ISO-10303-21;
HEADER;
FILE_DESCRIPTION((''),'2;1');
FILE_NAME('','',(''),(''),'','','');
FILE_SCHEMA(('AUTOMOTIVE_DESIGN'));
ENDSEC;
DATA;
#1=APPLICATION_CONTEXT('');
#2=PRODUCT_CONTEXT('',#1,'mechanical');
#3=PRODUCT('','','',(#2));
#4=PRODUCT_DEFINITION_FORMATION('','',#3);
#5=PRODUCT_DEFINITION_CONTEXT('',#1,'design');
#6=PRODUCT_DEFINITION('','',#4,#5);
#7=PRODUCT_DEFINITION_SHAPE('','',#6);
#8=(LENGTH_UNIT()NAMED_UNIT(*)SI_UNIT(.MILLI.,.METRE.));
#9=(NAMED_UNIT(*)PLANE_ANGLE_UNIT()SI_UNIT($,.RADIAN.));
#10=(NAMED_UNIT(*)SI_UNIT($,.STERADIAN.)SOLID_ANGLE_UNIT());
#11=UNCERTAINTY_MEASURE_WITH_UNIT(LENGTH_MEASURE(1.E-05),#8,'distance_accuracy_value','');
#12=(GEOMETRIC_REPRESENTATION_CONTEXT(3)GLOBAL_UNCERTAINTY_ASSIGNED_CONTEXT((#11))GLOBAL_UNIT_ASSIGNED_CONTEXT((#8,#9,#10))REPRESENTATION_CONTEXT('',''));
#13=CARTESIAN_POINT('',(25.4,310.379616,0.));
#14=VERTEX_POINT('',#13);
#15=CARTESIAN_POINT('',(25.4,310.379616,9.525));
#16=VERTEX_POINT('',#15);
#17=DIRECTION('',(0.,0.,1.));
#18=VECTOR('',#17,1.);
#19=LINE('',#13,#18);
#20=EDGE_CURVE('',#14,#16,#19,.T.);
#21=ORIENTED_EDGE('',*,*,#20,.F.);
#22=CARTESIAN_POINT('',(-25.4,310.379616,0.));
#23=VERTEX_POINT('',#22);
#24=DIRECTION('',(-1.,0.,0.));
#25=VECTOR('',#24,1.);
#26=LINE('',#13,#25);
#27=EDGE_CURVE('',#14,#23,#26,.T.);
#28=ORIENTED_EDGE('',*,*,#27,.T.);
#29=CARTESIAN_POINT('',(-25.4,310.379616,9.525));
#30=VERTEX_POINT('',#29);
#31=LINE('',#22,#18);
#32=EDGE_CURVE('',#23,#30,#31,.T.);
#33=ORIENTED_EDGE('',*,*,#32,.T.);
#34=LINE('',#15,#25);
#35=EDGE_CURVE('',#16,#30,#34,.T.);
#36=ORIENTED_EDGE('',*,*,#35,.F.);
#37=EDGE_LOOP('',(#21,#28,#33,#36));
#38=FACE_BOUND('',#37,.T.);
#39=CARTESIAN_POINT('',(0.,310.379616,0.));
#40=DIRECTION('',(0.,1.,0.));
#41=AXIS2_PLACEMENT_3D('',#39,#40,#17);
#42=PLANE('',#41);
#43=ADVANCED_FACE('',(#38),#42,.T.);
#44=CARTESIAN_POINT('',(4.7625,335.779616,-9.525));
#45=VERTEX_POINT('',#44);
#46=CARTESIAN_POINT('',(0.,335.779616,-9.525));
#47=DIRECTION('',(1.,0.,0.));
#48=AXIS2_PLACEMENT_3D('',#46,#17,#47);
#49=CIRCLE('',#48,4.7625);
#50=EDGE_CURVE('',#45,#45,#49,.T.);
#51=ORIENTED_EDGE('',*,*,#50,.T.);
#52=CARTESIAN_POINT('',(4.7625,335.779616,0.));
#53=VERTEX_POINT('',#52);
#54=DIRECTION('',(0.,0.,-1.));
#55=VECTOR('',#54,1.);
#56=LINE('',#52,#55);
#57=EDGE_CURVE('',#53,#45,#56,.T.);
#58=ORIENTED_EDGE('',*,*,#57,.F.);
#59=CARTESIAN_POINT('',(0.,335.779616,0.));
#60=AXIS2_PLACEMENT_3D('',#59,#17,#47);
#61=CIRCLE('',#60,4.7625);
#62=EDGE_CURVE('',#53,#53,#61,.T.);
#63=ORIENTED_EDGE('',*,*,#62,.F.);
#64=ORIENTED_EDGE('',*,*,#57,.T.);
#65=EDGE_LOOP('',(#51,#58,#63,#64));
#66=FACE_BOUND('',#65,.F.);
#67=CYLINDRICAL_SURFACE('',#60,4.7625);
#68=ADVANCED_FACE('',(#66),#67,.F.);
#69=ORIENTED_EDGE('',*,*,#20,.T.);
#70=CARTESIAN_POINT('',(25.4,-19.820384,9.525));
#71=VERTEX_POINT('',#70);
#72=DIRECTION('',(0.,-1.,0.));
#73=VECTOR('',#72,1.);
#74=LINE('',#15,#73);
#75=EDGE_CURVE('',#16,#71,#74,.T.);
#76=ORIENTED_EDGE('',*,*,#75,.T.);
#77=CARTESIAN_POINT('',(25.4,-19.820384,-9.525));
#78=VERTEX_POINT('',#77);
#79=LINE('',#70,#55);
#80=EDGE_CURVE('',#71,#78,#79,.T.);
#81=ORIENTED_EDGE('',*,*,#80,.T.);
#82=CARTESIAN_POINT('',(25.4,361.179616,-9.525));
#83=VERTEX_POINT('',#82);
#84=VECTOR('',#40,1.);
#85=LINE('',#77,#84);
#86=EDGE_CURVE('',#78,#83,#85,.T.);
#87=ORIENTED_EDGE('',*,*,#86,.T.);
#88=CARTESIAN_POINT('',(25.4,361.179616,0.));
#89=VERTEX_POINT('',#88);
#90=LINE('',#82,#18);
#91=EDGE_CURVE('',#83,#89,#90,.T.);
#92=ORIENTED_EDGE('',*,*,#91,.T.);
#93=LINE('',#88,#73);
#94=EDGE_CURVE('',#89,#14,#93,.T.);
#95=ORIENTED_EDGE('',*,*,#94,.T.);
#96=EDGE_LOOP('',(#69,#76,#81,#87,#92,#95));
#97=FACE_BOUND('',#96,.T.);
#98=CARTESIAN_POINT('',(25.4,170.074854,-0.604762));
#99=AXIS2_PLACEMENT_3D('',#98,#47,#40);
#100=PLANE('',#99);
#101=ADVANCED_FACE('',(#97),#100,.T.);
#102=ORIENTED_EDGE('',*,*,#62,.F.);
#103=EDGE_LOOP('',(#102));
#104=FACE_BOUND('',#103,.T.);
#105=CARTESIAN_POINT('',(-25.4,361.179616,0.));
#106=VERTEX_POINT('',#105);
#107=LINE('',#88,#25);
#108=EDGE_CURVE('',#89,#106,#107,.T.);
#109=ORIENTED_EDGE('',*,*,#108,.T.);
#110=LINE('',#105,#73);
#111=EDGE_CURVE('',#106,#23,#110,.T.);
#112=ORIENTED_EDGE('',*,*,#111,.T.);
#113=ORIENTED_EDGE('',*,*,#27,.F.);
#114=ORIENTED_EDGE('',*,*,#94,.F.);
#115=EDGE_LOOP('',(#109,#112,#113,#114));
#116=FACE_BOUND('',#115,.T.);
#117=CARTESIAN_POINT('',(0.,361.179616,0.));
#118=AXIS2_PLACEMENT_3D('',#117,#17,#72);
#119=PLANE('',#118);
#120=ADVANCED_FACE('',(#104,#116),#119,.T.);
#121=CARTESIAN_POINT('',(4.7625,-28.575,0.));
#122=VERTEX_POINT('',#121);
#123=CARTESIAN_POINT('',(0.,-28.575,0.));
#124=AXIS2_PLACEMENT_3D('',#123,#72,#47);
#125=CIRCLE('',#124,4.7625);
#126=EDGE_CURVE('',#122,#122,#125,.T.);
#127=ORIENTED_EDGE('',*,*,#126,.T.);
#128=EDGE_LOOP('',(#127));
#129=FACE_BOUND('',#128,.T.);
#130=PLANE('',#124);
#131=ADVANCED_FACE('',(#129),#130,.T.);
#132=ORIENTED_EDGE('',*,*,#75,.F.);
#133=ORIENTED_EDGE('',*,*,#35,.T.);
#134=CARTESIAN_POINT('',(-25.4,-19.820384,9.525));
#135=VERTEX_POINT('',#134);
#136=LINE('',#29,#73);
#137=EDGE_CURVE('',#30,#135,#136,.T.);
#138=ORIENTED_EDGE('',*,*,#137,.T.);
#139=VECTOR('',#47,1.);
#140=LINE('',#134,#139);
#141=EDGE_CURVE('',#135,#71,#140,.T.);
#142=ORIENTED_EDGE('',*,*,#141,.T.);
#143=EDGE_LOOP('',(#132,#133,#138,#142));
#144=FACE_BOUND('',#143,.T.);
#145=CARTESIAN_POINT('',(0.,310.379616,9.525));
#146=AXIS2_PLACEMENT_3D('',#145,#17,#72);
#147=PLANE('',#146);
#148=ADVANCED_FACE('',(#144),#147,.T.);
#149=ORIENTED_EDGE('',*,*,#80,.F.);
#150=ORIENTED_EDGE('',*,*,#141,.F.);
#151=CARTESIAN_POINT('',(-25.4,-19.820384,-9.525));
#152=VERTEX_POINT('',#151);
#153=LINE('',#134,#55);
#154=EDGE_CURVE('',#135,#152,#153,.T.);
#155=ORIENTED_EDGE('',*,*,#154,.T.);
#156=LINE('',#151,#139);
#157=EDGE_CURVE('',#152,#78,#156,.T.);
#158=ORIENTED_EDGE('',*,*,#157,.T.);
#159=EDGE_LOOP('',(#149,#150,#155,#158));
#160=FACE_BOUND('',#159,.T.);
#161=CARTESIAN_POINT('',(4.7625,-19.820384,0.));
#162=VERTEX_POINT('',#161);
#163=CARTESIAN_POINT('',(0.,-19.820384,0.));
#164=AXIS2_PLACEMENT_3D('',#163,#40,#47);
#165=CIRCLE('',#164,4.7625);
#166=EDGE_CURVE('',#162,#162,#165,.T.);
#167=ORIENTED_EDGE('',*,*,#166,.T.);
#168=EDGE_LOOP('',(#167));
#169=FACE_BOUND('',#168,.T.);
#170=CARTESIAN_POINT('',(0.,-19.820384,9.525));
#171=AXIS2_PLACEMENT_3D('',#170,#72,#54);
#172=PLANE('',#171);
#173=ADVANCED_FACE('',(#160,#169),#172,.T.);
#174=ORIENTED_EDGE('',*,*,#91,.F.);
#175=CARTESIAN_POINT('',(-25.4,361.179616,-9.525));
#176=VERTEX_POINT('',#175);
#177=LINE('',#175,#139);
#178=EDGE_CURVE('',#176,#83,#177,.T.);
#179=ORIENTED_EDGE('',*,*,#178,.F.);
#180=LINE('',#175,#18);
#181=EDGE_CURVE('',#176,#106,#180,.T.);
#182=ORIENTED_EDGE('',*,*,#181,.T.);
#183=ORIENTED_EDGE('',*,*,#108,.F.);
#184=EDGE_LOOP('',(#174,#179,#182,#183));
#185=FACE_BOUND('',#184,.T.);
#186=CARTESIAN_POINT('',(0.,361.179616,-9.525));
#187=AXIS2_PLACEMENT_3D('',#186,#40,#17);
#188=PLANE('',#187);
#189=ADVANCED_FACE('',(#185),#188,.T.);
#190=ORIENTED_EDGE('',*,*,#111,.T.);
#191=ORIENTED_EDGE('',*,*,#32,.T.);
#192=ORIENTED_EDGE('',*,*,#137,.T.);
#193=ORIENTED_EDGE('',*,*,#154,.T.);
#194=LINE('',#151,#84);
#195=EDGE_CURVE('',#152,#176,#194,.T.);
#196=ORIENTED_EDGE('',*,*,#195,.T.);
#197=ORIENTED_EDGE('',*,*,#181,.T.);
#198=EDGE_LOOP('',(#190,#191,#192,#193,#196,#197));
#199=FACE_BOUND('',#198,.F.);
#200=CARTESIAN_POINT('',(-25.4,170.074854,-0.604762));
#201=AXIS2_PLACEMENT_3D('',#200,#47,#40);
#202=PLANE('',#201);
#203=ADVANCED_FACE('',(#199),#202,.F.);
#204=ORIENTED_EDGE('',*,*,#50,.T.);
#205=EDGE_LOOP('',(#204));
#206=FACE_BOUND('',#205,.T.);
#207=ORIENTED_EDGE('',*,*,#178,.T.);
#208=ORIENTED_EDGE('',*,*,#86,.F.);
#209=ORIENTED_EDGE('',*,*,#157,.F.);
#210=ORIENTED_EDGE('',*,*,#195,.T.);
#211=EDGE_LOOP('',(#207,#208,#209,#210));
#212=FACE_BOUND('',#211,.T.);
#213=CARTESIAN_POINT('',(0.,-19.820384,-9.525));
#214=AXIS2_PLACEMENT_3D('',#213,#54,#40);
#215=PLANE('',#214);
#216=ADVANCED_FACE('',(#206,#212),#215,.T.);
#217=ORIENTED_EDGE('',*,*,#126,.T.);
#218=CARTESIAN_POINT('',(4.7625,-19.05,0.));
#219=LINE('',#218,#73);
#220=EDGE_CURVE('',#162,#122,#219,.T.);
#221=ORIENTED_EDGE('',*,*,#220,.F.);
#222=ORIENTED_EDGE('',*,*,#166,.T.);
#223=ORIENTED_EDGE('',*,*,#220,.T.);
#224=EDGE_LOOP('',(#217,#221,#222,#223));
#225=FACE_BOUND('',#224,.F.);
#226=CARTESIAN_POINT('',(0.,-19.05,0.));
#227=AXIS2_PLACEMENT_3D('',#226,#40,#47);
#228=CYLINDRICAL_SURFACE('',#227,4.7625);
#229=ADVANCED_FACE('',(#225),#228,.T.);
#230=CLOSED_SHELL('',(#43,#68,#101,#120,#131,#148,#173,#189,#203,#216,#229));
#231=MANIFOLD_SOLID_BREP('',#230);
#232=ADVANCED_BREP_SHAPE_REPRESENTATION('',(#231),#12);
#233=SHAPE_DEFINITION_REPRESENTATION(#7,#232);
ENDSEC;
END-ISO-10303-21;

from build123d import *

# Parameters (mm, degrees)
F1_DEPTH = 25.4
F2_R     = 4.7625
F3_DEPTH = 25.4
F5_R     = 4.7625
F6_DEPTH = 9.525


with BuildPart() as f1:
    # F0 (on Right) → F1 (new body, symmetric)
    with BuildSketch(Plane.YZ):
        Polygon((310.379616, 9.525), (-19.820384, 9.525), (-19.820384, -9.525), (361.179616, -9.525), (361.179616, 0), (310.379616, 0), align=None)
    extrude(amount=F1_DEPTH, both=True)

    # F2 (on Top) → F3 (cut)
    with BuildSketch(Plane.XY):
        with Locations((0, 335.779616)):
            Circle(F2_R)
    extrude(amount=-F3_DEPTH, mode=Mode.SUBTRACT)

    # F5 (on offset) → F6 (join)
    with BuildSketch(Plane.XZ.offset(19.05)):
        Circle(F5_R)
    extrude(amount=F6_DEPTH)


solid = f1.part
